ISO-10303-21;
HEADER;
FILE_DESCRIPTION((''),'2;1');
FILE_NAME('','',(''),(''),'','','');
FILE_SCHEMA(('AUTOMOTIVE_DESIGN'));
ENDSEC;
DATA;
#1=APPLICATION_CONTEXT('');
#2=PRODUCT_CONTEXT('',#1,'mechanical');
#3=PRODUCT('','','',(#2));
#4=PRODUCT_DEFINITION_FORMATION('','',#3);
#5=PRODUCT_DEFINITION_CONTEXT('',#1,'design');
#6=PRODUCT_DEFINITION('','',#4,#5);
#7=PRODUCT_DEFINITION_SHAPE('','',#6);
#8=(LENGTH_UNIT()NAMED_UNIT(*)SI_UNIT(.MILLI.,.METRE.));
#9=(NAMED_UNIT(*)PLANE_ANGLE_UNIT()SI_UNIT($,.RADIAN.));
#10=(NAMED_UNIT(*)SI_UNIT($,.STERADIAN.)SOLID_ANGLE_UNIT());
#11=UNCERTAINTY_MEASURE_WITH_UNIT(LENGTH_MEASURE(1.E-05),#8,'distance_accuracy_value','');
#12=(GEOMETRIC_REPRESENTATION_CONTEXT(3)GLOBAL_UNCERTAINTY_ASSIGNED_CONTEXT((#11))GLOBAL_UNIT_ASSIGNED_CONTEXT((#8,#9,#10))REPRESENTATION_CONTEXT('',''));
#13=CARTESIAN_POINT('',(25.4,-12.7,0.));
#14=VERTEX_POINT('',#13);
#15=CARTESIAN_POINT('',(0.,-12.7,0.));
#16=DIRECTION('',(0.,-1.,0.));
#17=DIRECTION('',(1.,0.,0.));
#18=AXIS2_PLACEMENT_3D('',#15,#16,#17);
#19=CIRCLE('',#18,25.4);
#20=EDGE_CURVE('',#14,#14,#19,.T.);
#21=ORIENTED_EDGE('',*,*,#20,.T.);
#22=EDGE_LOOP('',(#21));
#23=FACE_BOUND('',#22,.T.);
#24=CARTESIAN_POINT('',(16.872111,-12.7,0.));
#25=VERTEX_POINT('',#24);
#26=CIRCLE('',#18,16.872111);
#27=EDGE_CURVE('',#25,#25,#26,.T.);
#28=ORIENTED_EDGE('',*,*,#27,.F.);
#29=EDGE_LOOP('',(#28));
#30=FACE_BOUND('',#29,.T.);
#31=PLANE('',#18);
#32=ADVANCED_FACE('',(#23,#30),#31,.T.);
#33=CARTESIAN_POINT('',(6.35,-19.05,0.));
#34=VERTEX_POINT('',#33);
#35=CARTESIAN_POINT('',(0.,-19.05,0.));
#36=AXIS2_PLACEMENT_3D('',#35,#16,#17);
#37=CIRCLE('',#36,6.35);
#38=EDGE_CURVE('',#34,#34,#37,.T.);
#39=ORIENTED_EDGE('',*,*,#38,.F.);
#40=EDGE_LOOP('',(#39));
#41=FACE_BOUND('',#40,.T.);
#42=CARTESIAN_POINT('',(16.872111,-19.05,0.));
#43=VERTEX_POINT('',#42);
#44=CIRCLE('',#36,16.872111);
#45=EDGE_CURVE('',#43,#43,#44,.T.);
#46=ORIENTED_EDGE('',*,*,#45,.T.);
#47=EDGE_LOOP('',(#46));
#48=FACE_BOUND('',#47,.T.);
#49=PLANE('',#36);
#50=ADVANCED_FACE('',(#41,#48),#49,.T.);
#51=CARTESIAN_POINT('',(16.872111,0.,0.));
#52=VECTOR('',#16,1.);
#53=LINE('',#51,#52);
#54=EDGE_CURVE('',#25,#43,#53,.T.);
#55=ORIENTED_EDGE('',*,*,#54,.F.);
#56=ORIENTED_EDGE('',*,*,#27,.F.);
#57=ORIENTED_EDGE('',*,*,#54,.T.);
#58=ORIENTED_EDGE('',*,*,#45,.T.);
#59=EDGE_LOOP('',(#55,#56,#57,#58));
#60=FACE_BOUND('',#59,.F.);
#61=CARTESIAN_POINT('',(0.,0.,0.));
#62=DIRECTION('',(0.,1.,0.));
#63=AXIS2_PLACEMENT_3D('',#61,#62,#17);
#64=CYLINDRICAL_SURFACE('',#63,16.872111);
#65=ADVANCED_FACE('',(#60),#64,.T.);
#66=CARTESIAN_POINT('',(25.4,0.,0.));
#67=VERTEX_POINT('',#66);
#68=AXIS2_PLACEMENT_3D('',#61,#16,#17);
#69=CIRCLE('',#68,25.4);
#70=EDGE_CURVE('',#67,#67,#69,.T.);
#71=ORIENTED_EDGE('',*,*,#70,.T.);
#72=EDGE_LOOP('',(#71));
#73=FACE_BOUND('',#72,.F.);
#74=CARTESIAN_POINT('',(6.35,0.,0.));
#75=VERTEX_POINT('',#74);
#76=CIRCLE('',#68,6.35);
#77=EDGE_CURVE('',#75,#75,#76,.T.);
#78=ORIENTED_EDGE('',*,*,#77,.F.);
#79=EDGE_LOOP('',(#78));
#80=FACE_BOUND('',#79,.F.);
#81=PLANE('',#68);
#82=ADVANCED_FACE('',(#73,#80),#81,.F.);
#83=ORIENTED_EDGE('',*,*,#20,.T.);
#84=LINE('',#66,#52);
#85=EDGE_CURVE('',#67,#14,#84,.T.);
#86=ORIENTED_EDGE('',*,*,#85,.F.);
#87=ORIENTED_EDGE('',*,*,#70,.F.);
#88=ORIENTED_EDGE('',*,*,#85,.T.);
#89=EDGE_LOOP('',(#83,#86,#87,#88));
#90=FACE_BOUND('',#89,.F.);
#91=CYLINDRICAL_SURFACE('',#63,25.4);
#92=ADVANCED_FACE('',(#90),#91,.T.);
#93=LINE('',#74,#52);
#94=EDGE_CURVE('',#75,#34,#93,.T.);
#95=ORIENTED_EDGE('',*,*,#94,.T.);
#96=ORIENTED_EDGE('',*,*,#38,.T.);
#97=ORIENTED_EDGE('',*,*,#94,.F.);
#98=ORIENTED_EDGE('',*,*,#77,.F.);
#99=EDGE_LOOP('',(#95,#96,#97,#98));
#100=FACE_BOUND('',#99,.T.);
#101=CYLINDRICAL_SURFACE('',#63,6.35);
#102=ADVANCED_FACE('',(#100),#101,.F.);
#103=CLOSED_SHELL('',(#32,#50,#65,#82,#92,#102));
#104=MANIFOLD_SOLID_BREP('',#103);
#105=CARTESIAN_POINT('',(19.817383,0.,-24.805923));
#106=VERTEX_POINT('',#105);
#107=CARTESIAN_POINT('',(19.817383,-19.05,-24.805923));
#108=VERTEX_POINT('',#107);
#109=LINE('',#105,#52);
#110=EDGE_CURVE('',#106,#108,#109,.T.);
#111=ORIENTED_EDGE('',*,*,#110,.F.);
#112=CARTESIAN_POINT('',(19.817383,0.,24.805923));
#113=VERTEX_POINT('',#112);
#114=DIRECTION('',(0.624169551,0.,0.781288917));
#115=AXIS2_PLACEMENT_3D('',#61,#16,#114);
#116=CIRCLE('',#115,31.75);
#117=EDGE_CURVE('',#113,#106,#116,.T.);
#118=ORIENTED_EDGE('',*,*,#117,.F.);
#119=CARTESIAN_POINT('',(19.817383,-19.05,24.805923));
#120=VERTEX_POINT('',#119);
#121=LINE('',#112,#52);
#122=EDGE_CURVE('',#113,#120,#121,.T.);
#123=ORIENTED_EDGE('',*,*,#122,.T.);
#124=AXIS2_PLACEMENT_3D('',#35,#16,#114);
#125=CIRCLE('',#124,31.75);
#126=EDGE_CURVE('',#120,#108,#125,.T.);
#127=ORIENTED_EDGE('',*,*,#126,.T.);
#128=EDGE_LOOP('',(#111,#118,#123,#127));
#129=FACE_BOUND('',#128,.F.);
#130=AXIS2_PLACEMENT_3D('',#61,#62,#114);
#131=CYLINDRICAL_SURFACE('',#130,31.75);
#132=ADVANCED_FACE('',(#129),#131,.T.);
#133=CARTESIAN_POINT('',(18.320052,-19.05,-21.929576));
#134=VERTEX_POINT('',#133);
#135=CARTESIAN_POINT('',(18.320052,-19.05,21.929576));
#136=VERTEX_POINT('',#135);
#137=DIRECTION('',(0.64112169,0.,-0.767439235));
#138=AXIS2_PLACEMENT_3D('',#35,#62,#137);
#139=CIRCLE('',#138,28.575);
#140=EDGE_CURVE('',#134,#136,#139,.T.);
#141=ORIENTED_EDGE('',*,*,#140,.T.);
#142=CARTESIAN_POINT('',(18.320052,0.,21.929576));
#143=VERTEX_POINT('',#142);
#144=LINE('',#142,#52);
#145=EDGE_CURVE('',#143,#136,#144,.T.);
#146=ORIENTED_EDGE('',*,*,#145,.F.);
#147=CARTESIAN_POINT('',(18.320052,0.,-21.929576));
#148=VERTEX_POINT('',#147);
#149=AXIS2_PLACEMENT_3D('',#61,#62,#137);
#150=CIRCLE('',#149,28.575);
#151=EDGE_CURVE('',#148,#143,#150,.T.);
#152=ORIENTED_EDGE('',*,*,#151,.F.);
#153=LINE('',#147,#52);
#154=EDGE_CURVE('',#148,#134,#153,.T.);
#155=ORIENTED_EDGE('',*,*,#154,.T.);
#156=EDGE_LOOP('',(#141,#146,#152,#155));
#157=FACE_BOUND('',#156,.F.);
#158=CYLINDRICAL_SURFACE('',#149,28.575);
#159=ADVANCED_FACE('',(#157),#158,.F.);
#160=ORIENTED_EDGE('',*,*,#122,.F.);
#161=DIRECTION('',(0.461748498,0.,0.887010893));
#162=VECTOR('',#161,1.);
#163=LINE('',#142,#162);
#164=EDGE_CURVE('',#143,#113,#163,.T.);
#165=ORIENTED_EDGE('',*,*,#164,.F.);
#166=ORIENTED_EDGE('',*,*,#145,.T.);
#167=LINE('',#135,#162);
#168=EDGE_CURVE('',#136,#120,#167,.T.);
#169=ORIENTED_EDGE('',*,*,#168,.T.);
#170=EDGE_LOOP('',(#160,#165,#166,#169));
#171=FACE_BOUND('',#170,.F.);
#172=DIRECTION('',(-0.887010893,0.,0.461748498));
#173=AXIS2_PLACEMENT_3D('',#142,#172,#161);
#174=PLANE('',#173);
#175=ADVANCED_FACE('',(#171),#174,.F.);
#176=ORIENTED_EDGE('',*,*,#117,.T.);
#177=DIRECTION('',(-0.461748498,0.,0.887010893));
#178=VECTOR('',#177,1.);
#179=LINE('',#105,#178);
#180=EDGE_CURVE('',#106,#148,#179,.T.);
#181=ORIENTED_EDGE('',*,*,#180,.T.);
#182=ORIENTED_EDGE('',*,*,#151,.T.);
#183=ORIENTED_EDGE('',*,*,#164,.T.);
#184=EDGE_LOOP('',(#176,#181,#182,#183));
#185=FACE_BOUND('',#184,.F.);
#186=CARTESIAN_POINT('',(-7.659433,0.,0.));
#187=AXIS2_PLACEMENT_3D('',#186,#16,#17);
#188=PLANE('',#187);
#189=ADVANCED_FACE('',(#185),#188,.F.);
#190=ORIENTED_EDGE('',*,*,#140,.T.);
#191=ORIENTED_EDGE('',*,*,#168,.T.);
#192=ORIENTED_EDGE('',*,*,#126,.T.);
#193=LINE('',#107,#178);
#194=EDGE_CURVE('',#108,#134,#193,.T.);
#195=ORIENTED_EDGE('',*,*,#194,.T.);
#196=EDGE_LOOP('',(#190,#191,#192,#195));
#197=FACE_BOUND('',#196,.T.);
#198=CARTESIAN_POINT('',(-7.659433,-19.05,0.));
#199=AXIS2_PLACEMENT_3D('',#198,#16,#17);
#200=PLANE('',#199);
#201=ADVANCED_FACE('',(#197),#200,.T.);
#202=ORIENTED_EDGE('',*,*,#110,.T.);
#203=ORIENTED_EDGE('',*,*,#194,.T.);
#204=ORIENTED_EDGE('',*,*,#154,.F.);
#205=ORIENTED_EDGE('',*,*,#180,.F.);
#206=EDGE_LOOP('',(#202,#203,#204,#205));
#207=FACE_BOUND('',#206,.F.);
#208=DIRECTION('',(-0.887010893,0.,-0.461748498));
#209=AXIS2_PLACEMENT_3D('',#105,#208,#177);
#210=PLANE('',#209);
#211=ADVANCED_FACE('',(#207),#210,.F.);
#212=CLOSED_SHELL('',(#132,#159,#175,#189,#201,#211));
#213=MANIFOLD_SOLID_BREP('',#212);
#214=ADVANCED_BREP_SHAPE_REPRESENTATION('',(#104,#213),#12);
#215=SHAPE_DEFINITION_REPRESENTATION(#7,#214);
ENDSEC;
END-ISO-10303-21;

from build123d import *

# Parameters (mm, degrees)
F0_R     = 25.4
F0_R_2   = 16.872111
F1_DEPTH = 12.7
F0_R_3   = 6.35
F2_DEPTH = 19.05
F4_DEPTH = 19.05


with BuildPart() as f1:
    # F0 (on Front) → F1 (new body)
    with BuildSketch(Plane.XZ):
        Circle(F0_R)
        Circle(F0_R_2, mode=Mode.SUBTRACT)
    extrude(amount=F1_DEPTH)

    # F0 (on Front) → F2 (join)
    with BuildSketch(Plane.XZ):
        Circle(F0_R_2)
        Circle(F0_R_3, mode=Mode.SUBTRACT)
    extrude(amount=F2_DEPTH)


with BuildPart() as f4:
    # F3 (on Front) → F4 (new body)
    with BuildSketch(Plane.XZ):
        with BuildLine():
            ThreePointArc((18.320052, -21.929576), (-28.575, 0), (18.320052, 21.929576))
            Line((18.320052, 21.929576), (19.817383, 24.805923))
            ThreePointArc((19.817383, 24.805923), (-31.75, 0), (19.817383, -24.805923))
            Line((19.817383, -24.805923), (18.320052, -21.929576))
        make_face()
    extrude(amount=F4_DEPTH)


solid = Compound([f1.part, f4.part])
